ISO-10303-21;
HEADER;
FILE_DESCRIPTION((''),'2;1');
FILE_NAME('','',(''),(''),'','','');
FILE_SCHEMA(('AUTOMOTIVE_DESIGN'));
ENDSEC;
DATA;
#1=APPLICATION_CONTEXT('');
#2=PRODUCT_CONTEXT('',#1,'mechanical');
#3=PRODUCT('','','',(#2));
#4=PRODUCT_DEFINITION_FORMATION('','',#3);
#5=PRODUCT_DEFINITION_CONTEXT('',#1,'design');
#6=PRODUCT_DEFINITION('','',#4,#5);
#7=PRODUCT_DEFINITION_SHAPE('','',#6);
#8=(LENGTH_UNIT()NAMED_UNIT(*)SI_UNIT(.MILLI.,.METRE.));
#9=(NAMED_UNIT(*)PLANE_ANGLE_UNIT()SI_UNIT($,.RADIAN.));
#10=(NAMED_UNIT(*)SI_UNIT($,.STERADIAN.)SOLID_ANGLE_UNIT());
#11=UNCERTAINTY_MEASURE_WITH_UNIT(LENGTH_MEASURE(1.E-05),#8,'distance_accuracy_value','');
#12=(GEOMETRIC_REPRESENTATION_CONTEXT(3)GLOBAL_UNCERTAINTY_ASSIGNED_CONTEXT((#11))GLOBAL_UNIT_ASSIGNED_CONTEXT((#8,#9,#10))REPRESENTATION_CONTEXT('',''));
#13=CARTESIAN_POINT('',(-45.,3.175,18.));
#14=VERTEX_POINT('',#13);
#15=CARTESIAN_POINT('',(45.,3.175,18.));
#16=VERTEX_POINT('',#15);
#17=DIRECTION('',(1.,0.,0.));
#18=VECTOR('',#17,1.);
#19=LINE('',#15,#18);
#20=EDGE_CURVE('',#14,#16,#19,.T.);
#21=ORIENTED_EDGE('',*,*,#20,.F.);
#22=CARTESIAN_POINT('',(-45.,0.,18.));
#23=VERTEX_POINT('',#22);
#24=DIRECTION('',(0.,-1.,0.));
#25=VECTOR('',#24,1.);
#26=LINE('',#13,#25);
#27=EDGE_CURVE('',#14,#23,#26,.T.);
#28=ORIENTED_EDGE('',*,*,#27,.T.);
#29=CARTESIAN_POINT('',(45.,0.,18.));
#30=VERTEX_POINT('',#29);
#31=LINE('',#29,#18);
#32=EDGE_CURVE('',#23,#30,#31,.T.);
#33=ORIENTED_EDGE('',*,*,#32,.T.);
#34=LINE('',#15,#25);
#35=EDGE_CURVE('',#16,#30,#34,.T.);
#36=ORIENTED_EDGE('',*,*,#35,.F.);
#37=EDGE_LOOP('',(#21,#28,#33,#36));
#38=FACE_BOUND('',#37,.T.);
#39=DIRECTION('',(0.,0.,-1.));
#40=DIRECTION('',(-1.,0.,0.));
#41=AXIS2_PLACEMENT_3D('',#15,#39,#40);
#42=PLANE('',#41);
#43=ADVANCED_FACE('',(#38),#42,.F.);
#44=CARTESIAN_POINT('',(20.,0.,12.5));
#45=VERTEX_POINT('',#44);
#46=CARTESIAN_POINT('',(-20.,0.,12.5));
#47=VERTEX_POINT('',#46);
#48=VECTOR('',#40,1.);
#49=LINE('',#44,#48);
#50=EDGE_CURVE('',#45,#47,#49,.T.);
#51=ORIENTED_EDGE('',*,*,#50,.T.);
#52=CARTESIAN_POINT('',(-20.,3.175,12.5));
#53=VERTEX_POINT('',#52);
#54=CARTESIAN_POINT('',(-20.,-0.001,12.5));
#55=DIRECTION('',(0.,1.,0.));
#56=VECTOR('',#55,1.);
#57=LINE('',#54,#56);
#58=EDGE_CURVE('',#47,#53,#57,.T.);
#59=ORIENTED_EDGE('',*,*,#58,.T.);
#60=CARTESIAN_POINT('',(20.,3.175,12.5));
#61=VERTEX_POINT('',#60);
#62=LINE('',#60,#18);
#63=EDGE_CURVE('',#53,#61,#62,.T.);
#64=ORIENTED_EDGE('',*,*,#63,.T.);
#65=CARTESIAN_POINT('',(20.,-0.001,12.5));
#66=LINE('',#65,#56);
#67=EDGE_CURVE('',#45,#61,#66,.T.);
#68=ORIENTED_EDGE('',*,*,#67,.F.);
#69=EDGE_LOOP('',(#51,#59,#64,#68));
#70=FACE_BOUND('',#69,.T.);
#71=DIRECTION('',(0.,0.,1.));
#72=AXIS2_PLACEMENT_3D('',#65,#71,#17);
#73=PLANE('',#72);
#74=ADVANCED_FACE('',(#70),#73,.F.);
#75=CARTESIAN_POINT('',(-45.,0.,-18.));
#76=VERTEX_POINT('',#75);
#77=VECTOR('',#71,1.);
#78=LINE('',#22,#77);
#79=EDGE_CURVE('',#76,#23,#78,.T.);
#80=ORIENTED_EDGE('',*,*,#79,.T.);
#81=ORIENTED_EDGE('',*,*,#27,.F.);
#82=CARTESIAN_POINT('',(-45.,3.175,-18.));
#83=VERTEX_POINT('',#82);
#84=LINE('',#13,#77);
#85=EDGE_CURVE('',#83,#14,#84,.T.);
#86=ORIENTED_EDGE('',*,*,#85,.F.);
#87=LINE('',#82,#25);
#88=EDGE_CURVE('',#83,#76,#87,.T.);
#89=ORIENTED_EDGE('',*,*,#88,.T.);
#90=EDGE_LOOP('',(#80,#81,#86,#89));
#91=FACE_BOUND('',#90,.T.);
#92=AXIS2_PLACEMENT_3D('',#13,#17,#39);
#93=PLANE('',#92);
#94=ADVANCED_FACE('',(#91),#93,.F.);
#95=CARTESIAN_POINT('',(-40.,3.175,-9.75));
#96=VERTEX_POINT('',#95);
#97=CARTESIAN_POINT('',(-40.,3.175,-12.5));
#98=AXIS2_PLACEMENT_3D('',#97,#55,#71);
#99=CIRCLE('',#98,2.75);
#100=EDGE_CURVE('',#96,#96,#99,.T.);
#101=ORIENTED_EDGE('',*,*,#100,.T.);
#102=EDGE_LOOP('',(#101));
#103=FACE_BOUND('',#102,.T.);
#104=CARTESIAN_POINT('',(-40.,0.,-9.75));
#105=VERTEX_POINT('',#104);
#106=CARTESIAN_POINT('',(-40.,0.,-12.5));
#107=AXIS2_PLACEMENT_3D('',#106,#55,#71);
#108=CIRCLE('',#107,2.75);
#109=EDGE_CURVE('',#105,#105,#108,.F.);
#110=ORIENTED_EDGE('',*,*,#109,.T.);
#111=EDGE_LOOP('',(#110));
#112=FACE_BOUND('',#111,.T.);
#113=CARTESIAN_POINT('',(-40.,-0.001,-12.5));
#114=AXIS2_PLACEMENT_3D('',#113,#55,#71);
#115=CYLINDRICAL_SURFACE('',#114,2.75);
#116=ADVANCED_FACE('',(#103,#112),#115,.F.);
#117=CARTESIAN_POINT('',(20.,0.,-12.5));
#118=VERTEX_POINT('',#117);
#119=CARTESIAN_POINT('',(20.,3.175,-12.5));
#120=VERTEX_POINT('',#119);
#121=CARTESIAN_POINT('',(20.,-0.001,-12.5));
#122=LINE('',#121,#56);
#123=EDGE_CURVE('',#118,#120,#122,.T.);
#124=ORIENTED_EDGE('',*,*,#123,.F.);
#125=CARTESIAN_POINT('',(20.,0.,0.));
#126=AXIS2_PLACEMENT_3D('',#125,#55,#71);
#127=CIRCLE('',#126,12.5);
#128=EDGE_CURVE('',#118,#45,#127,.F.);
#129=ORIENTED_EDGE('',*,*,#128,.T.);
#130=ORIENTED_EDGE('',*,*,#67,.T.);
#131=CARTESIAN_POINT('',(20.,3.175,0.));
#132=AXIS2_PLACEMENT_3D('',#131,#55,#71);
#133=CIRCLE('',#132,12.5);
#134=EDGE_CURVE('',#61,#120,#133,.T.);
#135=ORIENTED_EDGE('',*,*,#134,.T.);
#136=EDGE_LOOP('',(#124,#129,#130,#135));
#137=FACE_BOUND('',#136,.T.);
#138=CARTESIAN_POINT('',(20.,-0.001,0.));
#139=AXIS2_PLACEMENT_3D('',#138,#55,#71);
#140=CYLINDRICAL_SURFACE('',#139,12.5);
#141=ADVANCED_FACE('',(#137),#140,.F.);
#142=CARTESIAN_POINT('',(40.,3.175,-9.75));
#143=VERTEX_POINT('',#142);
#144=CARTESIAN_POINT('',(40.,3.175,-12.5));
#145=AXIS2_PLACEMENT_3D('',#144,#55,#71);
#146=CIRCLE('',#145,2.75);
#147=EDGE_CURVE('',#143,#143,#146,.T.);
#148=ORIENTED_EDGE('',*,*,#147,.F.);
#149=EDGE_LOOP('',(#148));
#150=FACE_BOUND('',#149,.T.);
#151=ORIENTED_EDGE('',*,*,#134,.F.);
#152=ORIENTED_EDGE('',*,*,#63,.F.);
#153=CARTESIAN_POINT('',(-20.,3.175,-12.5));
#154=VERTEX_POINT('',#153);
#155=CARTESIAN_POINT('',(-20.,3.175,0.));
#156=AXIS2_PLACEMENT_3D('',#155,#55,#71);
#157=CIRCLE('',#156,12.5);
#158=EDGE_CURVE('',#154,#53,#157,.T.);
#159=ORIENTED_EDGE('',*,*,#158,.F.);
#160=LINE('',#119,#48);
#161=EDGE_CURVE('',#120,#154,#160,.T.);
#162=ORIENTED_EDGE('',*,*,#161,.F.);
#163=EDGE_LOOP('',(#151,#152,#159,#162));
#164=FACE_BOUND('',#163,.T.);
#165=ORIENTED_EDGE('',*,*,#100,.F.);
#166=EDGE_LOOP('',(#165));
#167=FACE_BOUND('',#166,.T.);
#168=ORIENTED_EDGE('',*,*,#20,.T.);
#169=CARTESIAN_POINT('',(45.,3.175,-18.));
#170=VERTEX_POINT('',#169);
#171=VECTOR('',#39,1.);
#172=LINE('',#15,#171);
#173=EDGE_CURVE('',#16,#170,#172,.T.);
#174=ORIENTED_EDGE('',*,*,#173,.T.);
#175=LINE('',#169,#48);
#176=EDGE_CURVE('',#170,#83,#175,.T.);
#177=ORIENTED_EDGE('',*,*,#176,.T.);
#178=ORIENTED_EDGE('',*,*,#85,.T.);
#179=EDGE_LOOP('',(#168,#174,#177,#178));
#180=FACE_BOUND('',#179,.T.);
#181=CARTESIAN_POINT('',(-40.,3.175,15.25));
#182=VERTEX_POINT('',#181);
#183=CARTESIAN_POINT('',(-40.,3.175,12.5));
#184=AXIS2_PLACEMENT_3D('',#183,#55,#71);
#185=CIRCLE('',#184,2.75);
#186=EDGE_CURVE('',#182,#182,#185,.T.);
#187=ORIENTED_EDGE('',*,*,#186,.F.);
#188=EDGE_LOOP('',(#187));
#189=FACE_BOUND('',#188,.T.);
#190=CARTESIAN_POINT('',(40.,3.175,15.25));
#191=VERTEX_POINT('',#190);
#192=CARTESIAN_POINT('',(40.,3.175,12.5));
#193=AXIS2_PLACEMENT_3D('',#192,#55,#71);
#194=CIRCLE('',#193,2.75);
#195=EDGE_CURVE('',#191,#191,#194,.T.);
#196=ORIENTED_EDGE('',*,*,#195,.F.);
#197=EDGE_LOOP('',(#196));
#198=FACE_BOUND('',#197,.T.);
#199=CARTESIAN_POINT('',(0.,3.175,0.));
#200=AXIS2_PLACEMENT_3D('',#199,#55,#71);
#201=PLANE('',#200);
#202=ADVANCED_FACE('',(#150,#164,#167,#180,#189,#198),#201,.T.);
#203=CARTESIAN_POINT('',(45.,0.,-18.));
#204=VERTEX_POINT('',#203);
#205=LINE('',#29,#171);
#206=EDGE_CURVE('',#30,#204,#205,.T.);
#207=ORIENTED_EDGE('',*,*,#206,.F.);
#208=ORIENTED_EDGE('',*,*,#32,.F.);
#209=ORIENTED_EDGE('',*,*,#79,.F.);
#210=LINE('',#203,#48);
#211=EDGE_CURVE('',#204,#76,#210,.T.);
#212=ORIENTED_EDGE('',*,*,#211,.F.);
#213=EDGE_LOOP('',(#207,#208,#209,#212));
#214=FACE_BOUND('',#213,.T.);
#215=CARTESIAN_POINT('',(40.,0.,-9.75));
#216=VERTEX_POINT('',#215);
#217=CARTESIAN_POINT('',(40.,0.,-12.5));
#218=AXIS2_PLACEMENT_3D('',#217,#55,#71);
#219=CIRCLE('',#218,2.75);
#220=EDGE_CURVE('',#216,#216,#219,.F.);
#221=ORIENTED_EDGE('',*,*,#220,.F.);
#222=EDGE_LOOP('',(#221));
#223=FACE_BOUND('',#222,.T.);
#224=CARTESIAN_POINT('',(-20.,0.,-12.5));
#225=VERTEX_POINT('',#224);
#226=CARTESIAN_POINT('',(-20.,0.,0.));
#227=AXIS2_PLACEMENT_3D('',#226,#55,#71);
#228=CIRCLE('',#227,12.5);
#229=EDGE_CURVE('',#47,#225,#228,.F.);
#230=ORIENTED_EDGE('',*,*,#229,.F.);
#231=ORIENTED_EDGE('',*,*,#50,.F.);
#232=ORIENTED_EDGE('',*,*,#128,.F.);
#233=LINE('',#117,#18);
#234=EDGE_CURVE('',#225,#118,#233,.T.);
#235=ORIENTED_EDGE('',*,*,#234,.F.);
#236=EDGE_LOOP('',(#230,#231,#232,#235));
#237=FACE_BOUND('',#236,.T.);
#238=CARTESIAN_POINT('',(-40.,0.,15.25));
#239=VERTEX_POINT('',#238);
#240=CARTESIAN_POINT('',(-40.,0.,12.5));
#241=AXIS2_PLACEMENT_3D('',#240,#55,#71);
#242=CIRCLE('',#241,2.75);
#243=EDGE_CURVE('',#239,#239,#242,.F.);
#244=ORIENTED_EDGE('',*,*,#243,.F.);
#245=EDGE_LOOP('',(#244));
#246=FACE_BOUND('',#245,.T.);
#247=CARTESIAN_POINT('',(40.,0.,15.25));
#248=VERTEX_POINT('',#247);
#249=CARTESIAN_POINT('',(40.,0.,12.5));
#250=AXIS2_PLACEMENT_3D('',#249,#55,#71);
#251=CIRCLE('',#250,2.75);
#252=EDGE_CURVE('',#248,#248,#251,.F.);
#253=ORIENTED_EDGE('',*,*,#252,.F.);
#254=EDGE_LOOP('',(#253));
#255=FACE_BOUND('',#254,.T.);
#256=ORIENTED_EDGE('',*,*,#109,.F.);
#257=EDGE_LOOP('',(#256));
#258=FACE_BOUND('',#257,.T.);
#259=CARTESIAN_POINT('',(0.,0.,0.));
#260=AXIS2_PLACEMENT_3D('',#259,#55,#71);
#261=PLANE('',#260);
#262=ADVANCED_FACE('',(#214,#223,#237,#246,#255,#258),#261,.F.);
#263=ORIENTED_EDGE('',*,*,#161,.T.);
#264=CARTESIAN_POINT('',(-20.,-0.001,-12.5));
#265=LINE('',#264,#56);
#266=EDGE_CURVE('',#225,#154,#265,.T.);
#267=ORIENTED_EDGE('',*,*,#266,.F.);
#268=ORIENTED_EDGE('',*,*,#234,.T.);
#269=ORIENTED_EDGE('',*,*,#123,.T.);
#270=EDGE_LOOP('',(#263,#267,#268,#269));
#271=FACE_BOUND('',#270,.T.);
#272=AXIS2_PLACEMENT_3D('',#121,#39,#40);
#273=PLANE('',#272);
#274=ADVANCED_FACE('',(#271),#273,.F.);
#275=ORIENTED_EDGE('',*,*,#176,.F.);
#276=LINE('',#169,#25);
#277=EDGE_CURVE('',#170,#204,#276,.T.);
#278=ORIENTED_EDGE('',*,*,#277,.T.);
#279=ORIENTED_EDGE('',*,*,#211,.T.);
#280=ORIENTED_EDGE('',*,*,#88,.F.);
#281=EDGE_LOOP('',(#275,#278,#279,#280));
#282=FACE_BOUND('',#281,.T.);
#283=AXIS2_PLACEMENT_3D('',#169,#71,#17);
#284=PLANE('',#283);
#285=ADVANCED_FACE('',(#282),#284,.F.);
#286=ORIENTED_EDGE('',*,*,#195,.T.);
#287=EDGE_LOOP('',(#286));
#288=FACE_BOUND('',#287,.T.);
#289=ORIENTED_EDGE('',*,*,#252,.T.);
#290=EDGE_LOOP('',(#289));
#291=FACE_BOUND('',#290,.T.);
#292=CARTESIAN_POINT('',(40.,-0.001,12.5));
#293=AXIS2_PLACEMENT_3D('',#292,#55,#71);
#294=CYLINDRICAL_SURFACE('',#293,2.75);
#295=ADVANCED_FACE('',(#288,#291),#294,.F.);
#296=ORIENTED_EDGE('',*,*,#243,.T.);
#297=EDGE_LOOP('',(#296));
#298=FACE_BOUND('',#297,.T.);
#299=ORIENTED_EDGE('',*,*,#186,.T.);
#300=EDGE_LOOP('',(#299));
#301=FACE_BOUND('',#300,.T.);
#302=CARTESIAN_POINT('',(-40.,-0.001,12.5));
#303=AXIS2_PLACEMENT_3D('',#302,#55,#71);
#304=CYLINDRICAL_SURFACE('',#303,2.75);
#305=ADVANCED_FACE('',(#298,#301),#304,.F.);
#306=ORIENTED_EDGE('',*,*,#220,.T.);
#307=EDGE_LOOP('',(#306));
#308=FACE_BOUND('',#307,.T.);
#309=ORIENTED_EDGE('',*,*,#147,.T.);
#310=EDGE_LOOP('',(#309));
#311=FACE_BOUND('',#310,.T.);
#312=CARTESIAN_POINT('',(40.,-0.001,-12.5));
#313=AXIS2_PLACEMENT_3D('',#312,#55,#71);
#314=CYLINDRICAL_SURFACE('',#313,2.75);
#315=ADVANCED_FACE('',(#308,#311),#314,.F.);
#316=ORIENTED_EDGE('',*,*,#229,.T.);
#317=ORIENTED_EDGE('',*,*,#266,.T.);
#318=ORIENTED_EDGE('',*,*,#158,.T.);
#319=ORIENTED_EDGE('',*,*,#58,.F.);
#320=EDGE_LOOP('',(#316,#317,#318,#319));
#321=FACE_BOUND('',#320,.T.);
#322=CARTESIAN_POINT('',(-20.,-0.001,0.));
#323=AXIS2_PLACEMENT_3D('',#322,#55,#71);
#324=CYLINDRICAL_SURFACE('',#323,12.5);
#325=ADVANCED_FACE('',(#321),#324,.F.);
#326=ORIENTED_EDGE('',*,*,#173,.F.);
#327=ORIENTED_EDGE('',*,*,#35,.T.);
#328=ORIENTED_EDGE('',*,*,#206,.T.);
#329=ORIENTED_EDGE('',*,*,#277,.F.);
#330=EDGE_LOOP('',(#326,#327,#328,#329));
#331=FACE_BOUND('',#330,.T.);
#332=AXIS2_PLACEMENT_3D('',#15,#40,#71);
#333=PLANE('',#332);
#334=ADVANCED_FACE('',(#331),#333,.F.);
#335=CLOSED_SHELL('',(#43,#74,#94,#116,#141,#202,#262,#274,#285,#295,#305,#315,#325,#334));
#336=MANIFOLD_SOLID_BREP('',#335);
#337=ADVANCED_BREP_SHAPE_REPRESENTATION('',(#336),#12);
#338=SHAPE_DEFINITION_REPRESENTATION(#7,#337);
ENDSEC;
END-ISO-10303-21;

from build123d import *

# Parameters (mm, degrees)
SKETCH1_W           = 90
SKETCH1_H           = 36
BOSS_EXTRUDE1_DEPTH = 3.175
CUT_EXTRUDE1_REACH  = 50.57
SKETCH2_R           = 2.75
CUT_EXTRUDE2_REACH  = 50.57


with BuildPart() as part:
    # Sketch1 → Boss-Extrude1 (new body)
    with BuildSketch(Plane(origin=(0, 0, 0), x_dir=(1, 0, 0), z_dir=(0, 1, 0))):
        Rectangle(SKETCH1_W, SKETCH1_H)
    extrude(amount=BOSS_EXTRUDE1_DEPTH)

    # Sketch2 → Cut-Extrude1 (cut, up to next)
    with BuildSketch(Plane(origin=(0, 3.175, 0), x_dir=(1, 0, 0), z_dir=(0, 1, 0)), mode=Mode.PRIVATE) as cut_extrude1_sk1:
        with Locations(Location((40, 12.5, 0), (0, 0, 270))):
            Circle(SKETCH2_R)
    cut_extrude1_tool1 = extrude(cut_extrude1_sk1.sketch, amount=-CUT_EXTRUDE1_REACH, mode=Mode.PRIVATE) & part.part
    # Sketch2 → Cut-Extrude1 (cut, up to next)
    with BuildSketch(Plane(origin=(0, 3.175, 0), x_dir=(1, 0, 0), z_dir=(0, 1, 0)), mode=Mode.PRIVATE) as cut_extrude1_sk2:
        with Locations(Location((-40, 12.5, 0), (0, 0, 270))):
            Circle(SKETCH2_R)
    cut_extrude1_tool2 = extrude(cut_extrude1_sk2.sketch, amount=-CUT_EXTRUDE1_REACH, mode=Mode.PRIVATE) & part.part
    # Sketch2 → Cut-Extrude1 (cut, up to next)
    with BuildSketch(Plane(origin=(0, 3.175, 0), x_dir=(1, 0, 0), z_dir=(0, 1, 0)), mode=Mode.PRIVATE) as cut_extrude1_sk3:
        with Locations(Location((-40, -12.5, 0), (0, 0, 270))):
            Circle(SKETCH2_R)
    cut_extrude1_tool3 = extrude(cut_extrude1_sk3.sketch, amount=-CUT_EXTRUDE1_REACH, mode=Mode.PRIVATE) & part.part
    # Sketch2 → Cut-Extrude1 (cut, up to next)
    with BuildSketch(Plane(origin=(0, 3.175, 0), x_dir=(1, 0, 0), z_dir=(0, 1, 0)), mode=Mode.PRIVATE) as cut_extrude1_sk4:
        with Locations(Location((40, -12.5, 0), (0, 0, 270))):
            Circle(SKETCH2_R)
    cut_extrude1_tool4 = extrude(cut_extrude1_sk4.sketch, amount=-CUT_EXTRUDE1_REACH, mode=Mode.PRIVATE) & part.part
    add(cut_extrude1_tool1.solids().sort_by_distance((40, 3.175, -12.5))[0], mode=Mode.SUBTRACT)
    add(cut_extrude1_tool2.solids().sort_by_distance((-40, 3.175, -12.5))[0], mode=Mode.SUBTRACT)
    add(cut_extrude1_tool3.solids().sort_by_distance((-40, 3.175, 12.5))[0], mode=Mode.SUBTRACT)
    add(cut_extrude1_tool4.solids().sort_by_distance((40, 3.175, 12.5))[0], mode=Mode.SUBTRACT)

    # Sketch3 → Cut-Extrude2 (cut, up to next)
    with BuildSketch(Plane(origin=(0, 3.175, 0), x_dir=(1, 0, 0), z_dir=(0, 1, 0)), mode=Mode.PRIVATE) as cut_extrude2_sk1:
        with BuildLine():
            Line((20, -12.5), (-20, -12.5))
            ThreePointArc((-20, -12.5), (-32.5, 0), (-20, 12.5))
            Line((-20, 12.5), (20, 12.5))
            ThreePointArc((20, 12.5), (32.5, 0), (20, -12.5))
        make_face()
    cut_extrude2_tool1 = extrude(cut_extrude2_sk1.sketch, amount=-CUT_EXTRUDE2_REACH, mode=Mode.PRIVATE) & part.part
    add(cut_extrude2_tool1.solids().sort_by_distance((0, 3.175, 0))[0], mode=Mode.SUBTRACT)


solid = part.part
